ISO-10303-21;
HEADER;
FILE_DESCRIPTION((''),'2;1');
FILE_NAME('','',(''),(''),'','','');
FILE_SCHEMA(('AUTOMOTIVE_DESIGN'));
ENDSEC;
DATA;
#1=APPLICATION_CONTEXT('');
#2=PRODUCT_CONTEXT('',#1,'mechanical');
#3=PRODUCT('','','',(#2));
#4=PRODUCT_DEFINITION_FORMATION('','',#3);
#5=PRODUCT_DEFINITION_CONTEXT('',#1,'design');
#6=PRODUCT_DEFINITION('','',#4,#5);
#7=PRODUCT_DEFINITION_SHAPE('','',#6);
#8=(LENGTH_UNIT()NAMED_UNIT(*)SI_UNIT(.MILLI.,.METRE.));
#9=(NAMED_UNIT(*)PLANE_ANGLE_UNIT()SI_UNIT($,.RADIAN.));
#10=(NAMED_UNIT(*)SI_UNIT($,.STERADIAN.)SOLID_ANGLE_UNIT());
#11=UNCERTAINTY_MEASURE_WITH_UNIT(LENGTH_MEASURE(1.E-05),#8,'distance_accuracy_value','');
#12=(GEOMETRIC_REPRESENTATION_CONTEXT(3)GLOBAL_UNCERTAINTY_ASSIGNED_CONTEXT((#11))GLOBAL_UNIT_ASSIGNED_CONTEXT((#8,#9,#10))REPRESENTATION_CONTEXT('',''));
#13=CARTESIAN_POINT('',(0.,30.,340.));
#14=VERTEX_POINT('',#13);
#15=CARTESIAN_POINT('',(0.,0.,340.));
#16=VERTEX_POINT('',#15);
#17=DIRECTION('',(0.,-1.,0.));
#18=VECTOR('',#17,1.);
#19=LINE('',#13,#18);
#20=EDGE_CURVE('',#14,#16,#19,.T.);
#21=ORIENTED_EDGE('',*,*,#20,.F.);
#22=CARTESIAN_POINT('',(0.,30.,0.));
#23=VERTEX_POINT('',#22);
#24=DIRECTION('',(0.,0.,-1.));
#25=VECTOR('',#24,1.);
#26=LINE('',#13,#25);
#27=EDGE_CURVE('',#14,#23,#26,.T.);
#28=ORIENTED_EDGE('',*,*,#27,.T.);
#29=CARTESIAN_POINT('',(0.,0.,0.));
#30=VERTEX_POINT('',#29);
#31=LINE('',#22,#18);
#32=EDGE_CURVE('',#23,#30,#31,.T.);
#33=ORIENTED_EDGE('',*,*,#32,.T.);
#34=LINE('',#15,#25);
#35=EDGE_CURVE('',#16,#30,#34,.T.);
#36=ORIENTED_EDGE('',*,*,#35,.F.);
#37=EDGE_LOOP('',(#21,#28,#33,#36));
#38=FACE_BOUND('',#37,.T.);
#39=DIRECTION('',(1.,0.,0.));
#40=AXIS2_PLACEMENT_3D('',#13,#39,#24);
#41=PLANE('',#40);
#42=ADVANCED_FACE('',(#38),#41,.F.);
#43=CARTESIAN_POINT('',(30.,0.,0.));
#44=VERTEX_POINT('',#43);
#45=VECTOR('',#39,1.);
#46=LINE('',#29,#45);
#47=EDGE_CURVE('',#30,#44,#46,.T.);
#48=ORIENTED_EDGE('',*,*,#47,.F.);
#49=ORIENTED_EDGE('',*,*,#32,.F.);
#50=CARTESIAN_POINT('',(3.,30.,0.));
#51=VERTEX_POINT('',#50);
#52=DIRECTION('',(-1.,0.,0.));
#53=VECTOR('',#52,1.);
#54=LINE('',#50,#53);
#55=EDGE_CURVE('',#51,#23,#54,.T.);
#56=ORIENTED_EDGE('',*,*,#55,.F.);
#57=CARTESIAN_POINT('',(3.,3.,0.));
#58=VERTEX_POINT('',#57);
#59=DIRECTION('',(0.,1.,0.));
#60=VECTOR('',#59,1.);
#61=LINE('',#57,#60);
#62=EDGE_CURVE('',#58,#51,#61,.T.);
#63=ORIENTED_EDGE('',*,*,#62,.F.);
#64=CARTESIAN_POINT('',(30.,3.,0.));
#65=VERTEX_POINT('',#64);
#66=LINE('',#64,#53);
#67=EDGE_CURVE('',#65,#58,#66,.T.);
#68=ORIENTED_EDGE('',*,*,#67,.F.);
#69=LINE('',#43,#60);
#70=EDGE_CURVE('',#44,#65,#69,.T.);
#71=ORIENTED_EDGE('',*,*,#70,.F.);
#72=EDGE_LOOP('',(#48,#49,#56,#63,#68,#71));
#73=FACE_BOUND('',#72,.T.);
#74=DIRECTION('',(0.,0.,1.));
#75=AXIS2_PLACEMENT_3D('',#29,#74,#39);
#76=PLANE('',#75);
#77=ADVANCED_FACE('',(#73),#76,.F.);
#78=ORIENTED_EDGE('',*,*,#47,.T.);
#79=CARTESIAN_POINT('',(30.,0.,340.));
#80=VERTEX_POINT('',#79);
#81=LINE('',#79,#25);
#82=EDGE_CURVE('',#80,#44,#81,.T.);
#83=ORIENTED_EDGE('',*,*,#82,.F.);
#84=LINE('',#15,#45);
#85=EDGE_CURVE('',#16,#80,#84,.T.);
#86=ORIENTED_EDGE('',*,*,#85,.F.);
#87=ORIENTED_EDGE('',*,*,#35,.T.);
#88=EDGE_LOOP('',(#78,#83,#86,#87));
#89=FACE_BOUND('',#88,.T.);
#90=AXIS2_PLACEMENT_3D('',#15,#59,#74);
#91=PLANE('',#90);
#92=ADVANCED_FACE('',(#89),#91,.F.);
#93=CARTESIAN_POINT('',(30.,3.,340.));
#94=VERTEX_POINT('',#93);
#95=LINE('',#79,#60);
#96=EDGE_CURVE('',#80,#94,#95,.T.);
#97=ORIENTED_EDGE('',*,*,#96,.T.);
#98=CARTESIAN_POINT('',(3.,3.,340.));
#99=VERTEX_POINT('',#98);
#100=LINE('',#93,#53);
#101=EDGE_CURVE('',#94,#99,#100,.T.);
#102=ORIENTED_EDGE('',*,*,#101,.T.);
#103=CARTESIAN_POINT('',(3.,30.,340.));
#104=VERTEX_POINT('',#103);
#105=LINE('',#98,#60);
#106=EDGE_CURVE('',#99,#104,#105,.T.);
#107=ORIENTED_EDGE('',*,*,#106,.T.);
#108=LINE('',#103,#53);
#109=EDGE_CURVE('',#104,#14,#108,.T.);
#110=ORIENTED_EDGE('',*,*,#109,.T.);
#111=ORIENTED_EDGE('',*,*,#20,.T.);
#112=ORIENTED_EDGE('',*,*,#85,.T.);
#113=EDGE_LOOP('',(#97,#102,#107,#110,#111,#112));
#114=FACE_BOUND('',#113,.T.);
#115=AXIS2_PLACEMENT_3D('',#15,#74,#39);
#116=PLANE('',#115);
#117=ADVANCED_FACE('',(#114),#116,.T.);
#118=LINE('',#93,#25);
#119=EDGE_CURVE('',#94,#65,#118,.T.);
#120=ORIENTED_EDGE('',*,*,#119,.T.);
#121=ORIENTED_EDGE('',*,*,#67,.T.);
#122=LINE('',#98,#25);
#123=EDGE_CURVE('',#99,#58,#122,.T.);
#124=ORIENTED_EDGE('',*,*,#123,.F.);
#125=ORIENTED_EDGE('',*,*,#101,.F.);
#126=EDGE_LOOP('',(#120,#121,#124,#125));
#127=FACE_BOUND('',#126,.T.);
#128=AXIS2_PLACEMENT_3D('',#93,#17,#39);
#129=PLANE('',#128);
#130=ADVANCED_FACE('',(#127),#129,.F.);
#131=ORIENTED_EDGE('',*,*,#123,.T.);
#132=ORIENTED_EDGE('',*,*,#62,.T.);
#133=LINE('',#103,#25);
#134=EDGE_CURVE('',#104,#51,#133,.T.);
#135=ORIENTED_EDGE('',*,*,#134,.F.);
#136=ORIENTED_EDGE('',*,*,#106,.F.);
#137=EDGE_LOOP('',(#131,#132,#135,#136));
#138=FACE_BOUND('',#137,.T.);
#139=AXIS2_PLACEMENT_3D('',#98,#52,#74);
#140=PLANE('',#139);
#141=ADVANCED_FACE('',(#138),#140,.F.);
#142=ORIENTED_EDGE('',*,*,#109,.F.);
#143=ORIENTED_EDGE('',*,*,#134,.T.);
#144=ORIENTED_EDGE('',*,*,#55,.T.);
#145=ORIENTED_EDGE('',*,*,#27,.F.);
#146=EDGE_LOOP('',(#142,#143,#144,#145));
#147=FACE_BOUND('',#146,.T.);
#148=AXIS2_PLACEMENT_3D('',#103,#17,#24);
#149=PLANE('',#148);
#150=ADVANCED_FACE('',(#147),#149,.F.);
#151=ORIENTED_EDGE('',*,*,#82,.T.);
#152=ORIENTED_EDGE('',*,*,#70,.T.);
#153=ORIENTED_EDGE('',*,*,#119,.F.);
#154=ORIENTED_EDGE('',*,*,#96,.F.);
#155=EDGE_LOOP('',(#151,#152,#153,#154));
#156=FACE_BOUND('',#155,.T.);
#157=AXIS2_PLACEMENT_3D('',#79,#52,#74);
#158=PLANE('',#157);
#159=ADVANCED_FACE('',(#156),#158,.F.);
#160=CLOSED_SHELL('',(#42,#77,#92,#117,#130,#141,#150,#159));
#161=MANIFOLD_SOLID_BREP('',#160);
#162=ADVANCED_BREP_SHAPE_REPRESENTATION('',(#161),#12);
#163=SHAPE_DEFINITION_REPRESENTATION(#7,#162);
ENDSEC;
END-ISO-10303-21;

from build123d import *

# Parameters (mm, degrees)
ESTRUSIONE_ESTRUSIONE1_DEPTH = 340


with BuildPart() as part:
    # Schizzo1 → Estrusione-Estrusione1 (new body)
    with BuildSketch(Plane.XY):
        Polygon((0, 30), (0, 0), (30, 0), (30, 3), (3, 3), (3, 30), align=None)
    extrude(amount=ESTRUSIONE_ESTRUSIONE1_DEPTH)


solid = part.part
